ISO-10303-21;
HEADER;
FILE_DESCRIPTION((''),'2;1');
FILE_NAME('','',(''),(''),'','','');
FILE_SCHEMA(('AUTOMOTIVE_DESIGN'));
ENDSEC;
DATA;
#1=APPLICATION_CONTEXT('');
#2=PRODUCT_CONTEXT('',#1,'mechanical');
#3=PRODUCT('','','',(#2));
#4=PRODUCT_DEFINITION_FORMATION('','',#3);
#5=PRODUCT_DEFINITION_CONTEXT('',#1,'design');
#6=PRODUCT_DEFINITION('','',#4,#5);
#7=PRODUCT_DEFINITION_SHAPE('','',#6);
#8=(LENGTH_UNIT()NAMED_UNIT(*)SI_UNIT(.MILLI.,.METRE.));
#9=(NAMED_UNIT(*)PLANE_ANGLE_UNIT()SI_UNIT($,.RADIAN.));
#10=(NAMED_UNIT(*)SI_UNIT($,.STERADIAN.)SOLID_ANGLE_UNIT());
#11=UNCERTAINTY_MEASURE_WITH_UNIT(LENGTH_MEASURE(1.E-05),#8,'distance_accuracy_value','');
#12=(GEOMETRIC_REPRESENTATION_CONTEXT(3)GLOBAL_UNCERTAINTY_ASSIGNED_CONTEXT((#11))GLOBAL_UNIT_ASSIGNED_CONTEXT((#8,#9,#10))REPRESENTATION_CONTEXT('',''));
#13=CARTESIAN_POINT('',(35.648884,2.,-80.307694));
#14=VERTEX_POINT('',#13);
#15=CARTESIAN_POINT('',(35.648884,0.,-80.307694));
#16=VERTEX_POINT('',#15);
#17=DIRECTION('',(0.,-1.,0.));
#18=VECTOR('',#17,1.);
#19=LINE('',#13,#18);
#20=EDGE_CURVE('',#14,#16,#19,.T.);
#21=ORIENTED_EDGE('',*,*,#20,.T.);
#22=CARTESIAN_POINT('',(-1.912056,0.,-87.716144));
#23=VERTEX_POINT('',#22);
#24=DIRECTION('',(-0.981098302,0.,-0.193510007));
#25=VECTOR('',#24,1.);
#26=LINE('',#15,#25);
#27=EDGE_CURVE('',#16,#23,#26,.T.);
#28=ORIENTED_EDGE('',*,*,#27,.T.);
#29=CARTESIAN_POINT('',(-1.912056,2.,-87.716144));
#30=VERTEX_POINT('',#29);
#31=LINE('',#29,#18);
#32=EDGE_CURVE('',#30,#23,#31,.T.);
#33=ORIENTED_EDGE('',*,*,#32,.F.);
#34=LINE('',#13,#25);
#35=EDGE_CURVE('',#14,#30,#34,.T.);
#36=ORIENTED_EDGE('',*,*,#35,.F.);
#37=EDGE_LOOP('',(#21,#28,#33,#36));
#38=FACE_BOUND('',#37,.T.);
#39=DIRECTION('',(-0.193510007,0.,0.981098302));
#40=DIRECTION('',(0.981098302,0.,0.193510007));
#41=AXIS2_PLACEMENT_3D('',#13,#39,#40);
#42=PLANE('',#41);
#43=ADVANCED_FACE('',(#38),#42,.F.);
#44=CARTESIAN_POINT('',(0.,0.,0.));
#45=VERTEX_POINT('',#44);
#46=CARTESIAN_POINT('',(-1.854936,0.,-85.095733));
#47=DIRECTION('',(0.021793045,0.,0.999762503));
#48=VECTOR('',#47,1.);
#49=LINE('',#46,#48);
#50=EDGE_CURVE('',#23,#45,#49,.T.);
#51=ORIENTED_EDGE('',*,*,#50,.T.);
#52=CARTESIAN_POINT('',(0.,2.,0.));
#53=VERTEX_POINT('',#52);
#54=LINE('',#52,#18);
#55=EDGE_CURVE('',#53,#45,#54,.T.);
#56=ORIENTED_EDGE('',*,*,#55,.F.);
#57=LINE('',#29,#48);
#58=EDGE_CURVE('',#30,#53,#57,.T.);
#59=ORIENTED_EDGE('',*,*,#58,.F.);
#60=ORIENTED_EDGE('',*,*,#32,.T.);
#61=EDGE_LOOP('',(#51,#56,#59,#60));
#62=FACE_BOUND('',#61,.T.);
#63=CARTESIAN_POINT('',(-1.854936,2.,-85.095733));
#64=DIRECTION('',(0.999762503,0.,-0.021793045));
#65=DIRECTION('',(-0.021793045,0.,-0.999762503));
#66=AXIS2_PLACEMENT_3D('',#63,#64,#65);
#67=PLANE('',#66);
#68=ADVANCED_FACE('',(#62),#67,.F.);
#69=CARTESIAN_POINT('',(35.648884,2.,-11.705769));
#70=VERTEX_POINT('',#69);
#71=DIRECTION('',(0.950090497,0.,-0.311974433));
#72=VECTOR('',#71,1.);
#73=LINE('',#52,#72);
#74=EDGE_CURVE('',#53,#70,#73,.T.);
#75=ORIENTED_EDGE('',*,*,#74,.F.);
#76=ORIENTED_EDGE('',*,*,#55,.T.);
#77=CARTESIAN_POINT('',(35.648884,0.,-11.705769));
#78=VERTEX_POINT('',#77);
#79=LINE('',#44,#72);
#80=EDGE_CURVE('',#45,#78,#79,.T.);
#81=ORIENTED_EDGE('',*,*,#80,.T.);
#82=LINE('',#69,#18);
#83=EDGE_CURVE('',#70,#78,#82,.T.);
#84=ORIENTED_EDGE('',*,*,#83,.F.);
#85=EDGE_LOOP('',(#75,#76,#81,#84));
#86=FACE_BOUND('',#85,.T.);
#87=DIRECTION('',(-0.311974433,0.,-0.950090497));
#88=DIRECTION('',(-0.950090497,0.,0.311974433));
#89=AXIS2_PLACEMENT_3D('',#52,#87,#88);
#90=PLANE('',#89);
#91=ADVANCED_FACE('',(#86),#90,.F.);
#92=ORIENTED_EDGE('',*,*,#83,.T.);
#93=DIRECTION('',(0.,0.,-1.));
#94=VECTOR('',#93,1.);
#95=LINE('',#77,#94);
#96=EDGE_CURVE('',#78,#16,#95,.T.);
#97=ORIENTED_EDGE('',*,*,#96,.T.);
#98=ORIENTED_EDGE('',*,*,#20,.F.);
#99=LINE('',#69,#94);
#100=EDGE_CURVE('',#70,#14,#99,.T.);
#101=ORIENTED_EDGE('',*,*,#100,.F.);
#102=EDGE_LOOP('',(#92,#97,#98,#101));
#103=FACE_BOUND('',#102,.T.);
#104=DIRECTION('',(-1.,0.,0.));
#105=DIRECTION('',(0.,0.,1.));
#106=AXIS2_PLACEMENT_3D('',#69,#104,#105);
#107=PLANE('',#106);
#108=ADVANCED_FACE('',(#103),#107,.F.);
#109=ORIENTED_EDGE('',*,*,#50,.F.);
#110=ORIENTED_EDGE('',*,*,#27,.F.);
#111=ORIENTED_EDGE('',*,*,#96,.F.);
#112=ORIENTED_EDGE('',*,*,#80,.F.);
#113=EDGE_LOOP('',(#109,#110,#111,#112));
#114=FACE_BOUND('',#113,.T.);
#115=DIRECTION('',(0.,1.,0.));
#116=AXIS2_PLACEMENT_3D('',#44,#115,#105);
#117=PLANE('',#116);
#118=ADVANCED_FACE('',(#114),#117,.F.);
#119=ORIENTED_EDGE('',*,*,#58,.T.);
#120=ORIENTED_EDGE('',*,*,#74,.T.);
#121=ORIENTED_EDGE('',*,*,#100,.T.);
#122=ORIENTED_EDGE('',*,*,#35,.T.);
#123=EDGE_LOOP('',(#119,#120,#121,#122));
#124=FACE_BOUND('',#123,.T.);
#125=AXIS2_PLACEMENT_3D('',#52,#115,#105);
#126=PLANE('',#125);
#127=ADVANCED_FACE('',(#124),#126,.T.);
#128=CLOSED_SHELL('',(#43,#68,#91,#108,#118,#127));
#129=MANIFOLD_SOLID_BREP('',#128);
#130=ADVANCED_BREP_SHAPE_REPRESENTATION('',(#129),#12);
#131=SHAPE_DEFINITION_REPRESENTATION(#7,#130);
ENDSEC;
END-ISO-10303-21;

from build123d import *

# Parameters (mm, degrees)
BOSS_EXTRU_1_DEPTH = 2


with BuildPart() as part:
    # Esquisse1 → Boss.-Extru.1 (new body)
    with BuildSketch(Plane(origin=(0, 0, 0), x_dir=(1, 0, 0), z_dir=(0, 1, 0))):
        Polygon((35.648883612, 80.307693568), (-1.912055936, 87.716143523), (-1.854935649, 85.095733084), (0, 0), (35.648883612, 11.705769394), align=None)
    extrude(amount=BOSS_EXTRU_1_DEPTH)


solid = part.part
